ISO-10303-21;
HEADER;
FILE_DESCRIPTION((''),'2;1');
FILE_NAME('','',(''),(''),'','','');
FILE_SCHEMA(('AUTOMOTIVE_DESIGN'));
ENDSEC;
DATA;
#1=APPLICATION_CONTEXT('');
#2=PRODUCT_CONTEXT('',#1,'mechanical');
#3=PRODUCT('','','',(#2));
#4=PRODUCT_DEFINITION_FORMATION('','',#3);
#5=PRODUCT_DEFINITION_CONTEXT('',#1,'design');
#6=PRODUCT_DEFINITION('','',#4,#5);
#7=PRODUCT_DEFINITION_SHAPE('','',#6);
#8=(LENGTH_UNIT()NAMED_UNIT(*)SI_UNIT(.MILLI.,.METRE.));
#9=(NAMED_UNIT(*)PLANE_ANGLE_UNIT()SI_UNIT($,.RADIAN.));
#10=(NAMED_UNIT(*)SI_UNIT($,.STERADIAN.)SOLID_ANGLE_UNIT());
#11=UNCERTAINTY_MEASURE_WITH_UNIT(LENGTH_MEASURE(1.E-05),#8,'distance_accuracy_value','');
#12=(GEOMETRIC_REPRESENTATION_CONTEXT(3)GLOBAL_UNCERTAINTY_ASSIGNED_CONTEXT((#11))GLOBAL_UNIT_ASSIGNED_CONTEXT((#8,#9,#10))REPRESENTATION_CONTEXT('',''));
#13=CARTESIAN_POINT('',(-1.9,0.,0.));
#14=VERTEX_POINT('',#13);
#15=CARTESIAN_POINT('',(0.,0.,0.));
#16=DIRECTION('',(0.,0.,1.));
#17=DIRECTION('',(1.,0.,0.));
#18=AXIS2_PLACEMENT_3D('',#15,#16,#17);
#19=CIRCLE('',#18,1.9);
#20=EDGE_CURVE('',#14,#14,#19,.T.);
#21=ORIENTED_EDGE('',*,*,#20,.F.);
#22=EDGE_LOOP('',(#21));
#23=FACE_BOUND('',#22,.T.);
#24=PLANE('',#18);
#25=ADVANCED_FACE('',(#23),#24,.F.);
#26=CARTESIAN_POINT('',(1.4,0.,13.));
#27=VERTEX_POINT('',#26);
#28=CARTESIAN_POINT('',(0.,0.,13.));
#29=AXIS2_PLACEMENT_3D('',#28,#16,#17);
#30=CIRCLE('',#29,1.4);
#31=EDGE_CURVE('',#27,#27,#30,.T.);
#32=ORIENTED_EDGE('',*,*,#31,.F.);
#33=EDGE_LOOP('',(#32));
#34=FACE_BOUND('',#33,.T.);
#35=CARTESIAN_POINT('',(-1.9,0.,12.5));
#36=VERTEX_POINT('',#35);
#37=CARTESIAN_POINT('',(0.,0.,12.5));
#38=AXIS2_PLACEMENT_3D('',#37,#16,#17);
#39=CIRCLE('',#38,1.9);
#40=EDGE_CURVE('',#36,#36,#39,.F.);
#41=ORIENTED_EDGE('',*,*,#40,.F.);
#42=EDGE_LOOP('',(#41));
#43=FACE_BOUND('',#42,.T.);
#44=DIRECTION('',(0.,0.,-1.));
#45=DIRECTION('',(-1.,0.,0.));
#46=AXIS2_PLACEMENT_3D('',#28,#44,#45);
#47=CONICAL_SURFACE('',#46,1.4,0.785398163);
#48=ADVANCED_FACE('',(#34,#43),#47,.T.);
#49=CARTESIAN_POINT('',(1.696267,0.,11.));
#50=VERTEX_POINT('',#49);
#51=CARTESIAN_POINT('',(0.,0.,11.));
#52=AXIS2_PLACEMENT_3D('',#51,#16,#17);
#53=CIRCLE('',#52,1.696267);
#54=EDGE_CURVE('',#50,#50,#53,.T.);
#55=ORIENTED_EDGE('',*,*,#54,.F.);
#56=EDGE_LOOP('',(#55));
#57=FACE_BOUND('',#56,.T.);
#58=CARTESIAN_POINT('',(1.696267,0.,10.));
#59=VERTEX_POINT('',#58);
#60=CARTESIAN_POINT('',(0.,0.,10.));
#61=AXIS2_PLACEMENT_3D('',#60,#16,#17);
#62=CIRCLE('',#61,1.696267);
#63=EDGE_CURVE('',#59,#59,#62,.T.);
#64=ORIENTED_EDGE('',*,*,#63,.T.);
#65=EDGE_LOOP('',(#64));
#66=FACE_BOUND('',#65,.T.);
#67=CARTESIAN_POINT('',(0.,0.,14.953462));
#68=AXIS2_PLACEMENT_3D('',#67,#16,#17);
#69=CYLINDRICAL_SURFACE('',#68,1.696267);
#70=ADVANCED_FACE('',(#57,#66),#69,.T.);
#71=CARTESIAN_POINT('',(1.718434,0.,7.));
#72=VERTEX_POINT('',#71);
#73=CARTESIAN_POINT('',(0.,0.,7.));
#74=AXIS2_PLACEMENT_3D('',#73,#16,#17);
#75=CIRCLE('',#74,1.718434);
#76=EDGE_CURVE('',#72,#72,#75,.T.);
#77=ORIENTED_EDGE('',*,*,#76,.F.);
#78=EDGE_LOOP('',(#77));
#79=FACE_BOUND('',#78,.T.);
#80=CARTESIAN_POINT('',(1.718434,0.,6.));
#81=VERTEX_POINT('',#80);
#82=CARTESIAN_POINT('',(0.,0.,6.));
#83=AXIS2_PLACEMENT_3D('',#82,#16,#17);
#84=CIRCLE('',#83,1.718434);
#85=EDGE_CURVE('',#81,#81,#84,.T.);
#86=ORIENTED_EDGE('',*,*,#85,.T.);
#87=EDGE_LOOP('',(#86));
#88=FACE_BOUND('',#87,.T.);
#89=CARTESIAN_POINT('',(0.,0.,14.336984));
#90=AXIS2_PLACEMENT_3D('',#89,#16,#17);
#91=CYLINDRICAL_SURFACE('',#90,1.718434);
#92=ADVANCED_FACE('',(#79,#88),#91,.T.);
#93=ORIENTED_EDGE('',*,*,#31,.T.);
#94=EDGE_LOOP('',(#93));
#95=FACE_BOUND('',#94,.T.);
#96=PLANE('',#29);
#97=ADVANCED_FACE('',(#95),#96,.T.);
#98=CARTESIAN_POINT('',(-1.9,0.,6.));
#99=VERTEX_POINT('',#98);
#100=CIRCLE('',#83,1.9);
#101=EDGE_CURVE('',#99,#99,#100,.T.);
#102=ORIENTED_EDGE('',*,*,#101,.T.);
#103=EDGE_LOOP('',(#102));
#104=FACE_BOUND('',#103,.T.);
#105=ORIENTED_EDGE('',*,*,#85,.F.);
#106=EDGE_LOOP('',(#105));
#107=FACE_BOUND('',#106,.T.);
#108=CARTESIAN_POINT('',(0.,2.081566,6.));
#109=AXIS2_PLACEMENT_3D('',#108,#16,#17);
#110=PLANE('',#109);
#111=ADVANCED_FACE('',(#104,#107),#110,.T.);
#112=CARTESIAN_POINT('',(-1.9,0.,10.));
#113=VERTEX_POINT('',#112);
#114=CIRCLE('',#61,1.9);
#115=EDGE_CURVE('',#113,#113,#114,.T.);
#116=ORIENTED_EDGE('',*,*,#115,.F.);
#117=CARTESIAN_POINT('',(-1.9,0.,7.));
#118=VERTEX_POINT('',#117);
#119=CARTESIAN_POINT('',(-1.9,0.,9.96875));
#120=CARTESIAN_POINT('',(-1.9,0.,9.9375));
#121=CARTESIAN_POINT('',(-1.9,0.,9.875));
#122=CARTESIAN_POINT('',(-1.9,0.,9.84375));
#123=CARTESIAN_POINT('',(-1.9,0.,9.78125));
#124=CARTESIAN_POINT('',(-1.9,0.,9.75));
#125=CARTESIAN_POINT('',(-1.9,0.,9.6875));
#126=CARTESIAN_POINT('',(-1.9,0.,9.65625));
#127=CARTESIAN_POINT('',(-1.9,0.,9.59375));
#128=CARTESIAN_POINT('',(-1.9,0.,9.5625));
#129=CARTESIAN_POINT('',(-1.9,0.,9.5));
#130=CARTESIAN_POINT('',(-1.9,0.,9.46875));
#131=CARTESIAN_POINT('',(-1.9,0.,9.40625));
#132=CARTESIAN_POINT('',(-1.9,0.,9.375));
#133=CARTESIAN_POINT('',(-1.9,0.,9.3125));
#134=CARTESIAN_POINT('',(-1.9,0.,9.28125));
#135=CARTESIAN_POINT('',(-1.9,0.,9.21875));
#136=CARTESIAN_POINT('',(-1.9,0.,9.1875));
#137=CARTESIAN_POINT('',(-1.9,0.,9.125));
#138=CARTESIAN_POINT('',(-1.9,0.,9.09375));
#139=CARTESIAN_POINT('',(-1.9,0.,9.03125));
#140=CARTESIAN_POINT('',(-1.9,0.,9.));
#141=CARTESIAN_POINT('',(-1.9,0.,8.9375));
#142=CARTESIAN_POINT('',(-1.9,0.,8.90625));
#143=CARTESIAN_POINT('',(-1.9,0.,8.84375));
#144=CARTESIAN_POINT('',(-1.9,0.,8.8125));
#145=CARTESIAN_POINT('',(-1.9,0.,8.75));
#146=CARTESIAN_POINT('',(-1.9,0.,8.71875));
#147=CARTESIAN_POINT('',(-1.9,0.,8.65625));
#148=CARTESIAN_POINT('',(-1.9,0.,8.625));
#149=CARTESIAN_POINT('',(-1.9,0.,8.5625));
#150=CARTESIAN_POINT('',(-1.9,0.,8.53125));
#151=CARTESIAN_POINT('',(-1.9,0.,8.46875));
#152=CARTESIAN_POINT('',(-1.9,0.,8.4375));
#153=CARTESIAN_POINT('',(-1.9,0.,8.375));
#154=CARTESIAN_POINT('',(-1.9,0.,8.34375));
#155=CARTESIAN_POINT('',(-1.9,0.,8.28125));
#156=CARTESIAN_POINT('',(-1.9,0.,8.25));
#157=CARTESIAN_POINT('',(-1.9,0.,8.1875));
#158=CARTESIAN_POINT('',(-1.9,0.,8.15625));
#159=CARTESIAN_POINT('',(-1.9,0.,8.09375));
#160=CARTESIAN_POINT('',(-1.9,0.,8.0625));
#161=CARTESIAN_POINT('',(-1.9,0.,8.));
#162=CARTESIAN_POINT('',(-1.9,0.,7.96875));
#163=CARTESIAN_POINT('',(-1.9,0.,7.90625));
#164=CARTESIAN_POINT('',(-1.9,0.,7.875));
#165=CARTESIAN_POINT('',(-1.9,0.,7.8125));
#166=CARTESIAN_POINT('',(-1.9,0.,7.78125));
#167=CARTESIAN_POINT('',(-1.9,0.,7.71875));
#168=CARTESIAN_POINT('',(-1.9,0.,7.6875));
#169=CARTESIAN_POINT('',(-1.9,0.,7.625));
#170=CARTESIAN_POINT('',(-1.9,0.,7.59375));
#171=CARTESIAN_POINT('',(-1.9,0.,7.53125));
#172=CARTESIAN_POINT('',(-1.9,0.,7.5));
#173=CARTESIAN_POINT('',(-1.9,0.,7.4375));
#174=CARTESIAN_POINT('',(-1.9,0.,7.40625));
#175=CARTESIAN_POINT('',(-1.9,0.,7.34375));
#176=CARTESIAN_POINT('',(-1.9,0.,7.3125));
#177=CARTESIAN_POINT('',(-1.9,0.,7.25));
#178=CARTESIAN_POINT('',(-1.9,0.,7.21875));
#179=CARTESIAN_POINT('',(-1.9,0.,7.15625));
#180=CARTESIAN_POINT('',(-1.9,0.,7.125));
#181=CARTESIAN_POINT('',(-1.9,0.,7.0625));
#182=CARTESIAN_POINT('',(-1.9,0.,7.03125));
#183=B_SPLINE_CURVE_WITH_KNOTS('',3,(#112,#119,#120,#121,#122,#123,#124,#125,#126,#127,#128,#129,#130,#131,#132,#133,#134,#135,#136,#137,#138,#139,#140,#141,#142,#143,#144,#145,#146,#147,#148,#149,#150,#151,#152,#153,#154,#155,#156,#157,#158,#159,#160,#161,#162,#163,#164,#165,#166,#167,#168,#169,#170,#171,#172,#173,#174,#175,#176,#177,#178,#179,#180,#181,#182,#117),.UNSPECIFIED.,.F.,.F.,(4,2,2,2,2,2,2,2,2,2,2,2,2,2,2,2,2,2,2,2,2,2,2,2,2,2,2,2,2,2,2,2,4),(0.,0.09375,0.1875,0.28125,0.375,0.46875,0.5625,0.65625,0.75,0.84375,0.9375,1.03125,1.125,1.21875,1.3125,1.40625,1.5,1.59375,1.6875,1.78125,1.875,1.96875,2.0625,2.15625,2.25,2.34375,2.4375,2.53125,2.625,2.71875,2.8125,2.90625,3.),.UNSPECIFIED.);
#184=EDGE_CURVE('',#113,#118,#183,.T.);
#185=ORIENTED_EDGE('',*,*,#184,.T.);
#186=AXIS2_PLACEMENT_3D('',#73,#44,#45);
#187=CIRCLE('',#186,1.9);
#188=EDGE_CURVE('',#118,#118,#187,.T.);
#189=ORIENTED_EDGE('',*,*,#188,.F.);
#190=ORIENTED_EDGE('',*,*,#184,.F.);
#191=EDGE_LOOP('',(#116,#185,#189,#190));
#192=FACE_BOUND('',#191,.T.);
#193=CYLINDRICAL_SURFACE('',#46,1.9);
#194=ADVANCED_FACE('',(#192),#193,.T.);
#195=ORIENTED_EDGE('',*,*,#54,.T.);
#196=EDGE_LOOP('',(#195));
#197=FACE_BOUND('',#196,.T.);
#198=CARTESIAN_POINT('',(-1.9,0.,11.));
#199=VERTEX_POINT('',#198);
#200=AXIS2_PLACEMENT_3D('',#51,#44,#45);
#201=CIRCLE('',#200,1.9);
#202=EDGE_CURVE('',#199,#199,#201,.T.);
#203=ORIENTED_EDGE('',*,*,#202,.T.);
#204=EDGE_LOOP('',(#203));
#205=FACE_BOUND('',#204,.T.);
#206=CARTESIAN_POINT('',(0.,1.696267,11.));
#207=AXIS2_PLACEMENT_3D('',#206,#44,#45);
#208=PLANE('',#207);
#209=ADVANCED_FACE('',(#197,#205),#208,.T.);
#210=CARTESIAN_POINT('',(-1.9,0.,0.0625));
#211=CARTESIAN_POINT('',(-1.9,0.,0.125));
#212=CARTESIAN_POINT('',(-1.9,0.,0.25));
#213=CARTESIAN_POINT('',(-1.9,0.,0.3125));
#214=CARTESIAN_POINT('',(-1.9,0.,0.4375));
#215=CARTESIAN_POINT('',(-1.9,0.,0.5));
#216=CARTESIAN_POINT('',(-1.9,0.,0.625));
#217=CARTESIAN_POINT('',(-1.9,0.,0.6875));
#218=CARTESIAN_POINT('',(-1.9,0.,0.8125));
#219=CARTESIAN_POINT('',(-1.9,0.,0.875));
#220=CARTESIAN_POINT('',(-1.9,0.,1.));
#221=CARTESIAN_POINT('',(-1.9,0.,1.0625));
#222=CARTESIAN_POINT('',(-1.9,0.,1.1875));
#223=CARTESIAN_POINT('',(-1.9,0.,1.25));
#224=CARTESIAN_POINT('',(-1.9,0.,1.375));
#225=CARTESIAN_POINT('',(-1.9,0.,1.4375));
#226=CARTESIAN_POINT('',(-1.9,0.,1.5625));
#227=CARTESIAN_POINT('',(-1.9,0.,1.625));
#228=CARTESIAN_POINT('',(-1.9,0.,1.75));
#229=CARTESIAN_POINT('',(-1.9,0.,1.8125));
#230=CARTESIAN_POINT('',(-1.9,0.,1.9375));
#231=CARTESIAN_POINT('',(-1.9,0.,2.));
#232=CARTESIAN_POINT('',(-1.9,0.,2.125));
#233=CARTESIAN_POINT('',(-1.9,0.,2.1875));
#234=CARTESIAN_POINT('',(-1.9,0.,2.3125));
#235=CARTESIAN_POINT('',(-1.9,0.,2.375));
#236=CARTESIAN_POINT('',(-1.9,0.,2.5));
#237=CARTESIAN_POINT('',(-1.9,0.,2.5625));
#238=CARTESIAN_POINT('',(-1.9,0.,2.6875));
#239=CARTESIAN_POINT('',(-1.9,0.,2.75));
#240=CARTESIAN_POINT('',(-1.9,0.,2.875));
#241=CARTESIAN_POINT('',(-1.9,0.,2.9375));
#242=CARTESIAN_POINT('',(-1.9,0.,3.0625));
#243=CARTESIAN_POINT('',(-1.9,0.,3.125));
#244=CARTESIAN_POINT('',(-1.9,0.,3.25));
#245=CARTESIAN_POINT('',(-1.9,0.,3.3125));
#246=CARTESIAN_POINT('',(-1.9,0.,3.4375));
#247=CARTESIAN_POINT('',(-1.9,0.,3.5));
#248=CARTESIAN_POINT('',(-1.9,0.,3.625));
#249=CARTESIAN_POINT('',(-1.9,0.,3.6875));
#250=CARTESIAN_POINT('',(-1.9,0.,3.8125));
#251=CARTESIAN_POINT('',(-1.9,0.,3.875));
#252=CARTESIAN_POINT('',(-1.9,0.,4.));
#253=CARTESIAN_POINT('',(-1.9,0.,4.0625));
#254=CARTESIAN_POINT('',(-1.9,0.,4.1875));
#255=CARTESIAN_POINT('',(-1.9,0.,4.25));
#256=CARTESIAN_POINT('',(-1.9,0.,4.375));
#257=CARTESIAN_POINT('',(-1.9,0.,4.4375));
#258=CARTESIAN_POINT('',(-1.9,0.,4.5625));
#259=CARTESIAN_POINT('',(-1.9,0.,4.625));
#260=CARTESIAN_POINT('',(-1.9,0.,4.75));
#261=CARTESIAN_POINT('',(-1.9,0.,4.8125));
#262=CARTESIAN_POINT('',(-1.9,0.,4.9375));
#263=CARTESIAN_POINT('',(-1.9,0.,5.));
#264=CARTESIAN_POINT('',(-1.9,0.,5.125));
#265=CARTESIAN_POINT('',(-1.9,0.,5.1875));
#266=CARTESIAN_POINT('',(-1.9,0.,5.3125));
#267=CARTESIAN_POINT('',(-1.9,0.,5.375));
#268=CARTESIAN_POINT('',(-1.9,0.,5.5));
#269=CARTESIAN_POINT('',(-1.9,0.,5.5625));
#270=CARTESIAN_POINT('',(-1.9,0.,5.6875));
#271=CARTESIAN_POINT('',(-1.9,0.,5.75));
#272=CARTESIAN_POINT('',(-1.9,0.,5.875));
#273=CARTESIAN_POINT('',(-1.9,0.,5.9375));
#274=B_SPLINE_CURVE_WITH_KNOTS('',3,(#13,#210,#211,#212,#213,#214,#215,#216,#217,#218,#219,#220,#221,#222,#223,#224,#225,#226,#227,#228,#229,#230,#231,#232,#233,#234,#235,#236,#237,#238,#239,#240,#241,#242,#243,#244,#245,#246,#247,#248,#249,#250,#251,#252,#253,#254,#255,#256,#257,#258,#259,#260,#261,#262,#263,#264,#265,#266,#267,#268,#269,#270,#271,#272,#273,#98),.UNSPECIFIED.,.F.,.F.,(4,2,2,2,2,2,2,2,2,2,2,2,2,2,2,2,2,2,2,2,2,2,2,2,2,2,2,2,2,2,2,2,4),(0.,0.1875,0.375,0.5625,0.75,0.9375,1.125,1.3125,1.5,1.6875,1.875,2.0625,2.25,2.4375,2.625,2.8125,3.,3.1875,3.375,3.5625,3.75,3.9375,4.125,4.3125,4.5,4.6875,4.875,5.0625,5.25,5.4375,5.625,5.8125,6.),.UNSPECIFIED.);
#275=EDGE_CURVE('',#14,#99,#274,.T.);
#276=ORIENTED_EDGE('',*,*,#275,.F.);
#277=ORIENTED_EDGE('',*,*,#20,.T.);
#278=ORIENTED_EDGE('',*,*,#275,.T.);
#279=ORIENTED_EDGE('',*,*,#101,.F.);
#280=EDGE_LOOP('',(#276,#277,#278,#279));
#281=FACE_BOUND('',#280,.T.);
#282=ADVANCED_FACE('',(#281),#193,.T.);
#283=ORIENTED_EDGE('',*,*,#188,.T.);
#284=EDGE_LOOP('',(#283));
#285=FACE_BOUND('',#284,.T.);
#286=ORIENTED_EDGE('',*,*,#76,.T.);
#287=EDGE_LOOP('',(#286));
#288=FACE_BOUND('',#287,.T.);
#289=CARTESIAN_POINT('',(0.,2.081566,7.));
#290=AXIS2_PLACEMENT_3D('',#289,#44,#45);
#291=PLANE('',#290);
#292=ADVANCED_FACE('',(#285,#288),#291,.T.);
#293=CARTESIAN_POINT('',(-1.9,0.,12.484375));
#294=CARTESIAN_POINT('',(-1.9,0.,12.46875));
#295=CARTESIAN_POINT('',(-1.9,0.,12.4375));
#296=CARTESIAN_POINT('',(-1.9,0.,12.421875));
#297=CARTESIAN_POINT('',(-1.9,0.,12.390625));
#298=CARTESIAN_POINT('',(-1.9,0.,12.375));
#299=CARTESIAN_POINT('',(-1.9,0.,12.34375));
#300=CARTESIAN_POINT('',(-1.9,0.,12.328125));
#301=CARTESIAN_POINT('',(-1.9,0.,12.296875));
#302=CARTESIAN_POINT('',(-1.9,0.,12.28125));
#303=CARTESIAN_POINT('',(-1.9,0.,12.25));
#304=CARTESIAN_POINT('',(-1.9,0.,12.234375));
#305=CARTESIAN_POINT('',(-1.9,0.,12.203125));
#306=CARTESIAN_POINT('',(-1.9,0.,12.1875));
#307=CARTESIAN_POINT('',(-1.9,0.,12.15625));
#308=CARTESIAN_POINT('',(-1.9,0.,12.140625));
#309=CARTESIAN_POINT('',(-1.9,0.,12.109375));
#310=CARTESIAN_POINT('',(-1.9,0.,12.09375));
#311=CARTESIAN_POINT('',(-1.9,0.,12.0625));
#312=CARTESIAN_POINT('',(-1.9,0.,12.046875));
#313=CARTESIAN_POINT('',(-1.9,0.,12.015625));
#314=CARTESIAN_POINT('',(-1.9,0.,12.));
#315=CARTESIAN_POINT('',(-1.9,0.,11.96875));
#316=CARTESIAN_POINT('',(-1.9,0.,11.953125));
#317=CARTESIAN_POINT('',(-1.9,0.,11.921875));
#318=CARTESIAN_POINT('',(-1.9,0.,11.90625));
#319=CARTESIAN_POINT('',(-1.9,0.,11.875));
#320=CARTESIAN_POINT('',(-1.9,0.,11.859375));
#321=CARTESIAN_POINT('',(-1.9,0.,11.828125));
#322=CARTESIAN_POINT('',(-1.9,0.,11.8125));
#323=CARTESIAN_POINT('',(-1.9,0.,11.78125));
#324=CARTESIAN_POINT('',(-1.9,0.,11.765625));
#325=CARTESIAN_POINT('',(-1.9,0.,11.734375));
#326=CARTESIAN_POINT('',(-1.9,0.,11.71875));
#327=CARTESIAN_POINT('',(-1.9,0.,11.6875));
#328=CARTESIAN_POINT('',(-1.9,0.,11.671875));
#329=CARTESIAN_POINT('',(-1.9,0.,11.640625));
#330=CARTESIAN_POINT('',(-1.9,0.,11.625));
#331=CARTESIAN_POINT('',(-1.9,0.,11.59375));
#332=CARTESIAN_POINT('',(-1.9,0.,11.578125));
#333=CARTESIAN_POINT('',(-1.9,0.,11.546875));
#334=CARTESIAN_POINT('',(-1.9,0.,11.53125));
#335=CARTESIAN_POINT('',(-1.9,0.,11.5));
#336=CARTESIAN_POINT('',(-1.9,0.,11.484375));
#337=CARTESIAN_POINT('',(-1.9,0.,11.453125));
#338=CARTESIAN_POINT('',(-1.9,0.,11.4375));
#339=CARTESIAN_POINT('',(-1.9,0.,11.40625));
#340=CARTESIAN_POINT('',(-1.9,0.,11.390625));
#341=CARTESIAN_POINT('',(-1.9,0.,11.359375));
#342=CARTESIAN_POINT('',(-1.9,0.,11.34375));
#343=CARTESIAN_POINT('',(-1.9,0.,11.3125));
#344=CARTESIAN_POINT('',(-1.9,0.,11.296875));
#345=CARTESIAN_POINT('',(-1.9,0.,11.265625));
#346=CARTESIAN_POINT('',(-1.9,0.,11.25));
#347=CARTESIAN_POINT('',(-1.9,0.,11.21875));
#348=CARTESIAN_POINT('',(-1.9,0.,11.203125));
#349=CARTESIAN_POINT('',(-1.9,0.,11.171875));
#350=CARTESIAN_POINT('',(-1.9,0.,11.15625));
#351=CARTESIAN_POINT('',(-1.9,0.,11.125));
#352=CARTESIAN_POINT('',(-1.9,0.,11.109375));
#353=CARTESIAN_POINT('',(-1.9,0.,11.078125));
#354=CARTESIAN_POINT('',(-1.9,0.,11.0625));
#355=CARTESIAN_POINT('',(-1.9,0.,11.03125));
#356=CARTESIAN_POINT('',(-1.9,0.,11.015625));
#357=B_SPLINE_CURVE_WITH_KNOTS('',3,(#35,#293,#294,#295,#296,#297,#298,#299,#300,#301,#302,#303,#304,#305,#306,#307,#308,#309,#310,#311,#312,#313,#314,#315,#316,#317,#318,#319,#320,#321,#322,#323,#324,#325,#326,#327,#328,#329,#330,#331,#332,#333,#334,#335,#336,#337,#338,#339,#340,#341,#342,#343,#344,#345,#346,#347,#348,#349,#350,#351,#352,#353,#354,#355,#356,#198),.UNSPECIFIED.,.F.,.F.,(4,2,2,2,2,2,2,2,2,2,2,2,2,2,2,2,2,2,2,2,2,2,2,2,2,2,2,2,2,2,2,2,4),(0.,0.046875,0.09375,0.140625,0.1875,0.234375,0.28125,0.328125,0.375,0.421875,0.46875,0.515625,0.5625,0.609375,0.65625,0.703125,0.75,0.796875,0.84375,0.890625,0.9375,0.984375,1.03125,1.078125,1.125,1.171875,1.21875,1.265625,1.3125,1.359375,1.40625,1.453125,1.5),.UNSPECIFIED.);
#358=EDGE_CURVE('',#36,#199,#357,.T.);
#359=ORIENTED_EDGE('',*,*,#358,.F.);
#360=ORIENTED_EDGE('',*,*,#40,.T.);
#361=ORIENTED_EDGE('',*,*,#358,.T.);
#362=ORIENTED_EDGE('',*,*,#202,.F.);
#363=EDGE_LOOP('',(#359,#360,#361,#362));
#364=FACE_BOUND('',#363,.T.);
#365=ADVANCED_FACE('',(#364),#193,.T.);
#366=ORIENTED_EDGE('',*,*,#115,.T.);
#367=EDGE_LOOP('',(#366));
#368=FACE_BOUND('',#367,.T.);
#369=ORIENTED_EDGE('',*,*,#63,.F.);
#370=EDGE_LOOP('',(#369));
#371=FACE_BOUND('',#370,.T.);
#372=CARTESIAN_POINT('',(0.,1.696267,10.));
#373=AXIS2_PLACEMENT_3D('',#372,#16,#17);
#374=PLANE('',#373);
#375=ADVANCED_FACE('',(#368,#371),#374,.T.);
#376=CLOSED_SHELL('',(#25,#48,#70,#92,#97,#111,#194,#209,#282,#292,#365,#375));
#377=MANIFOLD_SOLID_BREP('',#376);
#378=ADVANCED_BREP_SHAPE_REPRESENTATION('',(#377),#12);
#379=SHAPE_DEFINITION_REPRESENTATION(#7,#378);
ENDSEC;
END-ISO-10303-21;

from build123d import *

# Parameters (mm, degrees)
SKETCH1_R           = 1.9
BOSS_EXTRUDE1_DEPTH = 13
CHAMFER1_SIZE       = 0.5
SKETCH4_W           = 1
SKETCH4_H           = 0.407466182
SKETCH7_W           = 1
SKETCH7_H           = 0.36313202


with BuildPart() as part:
    # Sketch1 → Boss-Extrude1 (new body)
    with BuildSketch(Plane.XY):
        with Locations(Location((0, 0, 0), (0, 0, 180))):
            Circle(SKETCH1_R)
    extrude(amount=BOSS_EXTRUDE1_DEPTH)

    # Chamfer1
    chamfer1_edges = [part.edges().sort_by_distance(p)[0] for p in [
        (1.9, 0, 13),
    ]]
    chamfer(chamfer1_edges, length=CHAMFER1_SIZE)

    # Sketch4 → Cut-Revolve4 (revolve, cut)
    with BuildSketch(Plane(origin=(0, 0, 0), x_dir=(0, 0, -1), z_dir=(1, 0, 0)), mode=Mode.PRIVATE) as cut_revolve4_sk:
        with Locations((-10.5, 1.9)):
            Rectangle(SKETCH4_W, SKETCH4_H)
    revolve(cut_revolve4_sk.sketch.rotate(Axis((0, 0, 14.953462275), (0, 0, -1)), 270), axis=Axis((0, 0, 14.953462275), (0, 0, -1)), mode=Mode.SUBTRACT)

    # Sketch7 → Cut-Revolve7 (revolve, cut)
    with BuildSketch(Plane(origin=(0, 0, 0), x_dir=(0, 0, -1), z_dir=(1, 0, 0)), mode=Mode.PRIVATE) as cut_revolve7_sk:
        with Locations((-6.5, 1.9)):
            Rectangle(SKETCH7_W, SKETCH7_H)
    revolve(cut_revolve7_sk.sketch.rotate(Axis((0, 0, 14.336983713), (0, 0, -1)), 270), axis=Axis((0, 0, 14.336983713), (0, 0, -1)), mode=Mode.SUBTRACT)


solid = part.part
